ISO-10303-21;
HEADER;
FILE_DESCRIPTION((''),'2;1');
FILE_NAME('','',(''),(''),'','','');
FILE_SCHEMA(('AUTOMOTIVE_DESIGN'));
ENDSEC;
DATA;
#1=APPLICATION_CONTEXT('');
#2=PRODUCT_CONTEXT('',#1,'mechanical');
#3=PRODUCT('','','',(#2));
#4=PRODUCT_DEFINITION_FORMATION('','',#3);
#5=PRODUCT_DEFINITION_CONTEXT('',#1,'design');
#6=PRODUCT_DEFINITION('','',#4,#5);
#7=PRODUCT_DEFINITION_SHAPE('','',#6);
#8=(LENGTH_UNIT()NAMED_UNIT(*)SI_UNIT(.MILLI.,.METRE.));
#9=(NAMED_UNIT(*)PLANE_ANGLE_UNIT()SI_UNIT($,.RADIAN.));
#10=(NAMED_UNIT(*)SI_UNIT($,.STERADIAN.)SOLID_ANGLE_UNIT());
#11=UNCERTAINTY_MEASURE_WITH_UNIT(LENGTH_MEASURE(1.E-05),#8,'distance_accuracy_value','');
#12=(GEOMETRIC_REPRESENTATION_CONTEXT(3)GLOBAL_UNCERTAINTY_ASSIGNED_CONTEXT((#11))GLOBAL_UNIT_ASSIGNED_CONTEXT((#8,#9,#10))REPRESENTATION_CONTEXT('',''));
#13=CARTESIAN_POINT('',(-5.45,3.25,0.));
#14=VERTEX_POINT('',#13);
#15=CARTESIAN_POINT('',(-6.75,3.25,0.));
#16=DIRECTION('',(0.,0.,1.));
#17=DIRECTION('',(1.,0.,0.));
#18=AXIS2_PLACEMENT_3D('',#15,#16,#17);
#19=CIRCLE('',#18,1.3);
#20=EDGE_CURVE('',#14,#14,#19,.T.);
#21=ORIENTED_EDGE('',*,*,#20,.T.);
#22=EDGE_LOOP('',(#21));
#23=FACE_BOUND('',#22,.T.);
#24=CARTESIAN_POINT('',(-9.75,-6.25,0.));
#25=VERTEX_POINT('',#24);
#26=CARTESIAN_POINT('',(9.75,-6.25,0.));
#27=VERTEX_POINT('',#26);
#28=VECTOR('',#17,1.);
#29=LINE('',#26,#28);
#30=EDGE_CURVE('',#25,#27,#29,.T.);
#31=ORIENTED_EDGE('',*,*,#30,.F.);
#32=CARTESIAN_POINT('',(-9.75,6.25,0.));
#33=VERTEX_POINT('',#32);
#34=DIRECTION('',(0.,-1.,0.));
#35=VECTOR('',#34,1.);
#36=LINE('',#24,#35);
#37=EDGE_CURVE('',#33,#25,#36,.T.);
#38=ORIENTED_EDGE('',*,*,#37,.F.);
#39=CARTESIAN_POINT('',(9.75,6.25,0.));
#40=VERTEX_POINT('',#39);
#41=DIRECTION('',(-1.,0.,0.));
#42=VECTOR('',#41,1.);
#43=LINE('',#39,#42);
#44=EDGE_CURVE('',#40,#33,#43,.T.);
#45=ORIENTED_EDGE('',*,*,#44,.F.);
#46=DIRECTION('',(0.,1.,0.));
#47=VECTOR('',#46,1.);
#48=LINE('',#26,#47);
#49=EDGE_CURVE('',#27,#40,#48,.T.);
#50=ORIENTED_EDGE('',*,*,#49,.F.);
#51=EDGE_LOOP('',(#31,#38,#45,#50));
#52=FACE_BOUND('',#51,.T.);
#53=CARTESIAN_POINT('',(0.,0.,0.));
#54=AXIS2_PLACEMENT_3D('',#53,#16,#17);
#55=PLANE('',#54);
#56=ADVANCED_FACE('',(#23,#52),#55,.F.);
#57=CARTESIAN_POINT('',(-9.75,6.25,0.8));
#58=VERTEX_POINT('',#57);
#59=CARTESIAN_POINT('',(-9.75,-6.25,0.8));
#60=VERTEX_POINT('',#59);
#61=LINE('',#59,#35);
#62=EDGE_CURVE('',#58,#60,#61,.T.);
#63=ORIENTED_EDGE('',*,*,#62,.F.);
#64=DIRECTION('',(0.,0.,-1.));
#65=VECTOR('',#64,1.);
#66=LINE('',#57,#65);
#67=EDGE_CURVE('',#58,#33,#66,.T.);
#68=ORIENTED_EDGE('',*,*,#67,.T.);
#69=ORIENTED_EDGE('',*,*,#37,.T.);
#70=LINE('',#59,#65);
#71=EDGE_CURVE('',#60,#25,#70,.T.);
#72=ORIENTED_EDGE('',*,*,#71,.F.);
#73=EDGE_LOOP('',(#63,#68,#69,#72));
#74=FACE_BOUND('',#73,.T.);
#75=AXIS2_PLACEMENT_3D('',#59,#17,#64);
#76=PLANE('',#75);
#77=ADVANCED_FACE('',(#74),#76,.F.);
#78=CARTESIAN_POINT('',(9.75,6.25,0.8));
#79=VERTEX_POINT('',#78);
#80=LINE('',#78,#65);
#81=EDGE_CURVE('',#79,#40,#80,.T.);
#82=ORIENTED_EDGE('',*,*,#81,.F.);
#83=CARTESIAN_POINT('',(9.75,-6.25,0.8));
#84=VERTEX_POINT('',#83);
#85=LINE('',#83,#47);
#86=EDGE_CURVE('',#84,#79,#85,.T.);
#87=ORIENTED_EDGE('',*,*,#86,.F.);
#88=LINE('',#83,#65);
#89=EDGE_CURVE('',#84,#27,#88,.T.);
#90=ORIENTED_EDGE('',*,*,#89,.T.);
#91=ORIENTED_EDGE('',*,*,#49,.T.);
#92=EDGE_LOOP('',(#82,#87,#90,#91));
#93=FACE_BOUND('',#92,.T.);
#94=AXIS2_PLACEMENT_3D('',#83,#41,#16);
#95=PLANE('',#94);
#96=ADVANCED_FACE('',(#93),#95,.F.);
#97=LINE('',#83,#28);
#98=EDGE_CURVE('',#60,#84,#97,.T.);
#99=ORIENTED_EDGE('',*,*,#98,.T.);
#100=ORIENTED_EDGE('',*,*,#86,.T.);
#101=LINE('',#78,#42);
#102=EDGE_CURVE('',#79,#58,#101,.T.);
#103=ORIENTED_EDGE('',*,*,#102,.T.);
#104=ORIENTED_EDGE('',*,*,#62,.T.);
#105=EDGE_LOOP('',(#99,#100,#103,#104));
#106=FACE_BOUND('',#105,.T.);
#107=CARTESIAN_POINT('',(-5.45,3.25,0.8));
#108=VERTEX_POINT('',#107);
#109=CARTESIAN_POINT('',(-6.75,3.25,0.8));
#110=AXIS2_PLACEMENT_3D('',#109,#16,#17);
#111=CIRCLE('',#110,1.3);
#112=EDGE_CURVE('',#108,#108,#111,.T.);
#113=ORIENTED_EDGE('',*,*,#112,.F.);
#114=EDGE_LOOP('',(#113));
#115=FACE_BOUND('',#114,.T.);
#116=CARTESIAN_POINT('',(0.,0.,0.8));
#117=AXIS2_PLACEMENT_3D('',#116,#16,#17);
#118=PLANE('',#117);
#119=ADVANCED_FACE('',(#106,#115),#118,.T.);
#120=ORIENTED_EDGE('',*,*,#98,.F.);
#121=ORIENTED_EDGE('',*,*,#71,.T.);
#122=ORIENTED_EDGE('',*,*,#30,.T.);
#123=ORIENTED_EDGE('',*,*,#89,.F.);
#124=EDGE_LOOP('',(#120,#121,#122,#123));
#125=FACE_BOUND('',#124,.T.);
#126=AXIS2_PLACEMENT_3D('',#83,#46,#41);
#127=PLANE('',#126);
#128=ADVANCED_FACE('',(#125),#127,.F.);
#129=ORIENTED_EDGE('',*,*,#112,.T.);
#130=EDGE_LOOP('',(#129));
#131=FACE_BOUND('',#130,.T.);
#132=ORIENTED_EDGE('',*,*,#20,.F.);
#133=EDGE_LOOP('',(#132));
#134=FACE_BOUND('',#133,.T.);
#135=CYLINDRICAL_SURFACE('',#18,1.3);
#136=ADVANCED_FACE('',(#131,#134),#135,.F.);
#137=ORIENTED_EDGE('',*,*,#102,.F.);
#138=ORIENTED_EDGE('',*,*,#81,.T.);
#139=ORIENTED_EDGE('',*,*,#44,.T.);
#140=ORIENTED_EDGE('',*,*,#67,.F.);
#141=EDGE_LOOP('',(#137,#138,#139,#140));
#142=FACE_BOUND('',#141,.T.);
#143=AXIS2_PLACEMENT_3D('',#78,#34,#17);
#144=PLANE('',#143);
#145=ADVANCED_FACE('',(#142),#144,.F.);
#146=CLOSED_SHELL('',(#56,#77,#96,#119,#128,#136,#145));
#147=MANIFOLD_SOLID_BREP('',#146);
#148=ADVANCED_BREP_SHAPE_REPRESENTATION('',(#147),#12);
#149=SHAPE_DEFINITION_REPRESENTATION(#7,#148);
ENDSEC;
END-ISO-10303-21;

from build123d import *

# Parameters (mm, degrees)
ESQUISSE1_W             = 19.5
ESQUISSE1_H             = 12.5
BOSS_EXTRU_1_DEPTH      = 0.8
ESQUISSE2_R             = 1.3
ENL_V_MAT_EXTRU_1_DEPTH = 0.8


with BuildPart() as part:
    # Esquisse1 → Boss.-Extru.1 (new body)
    with BuildSketch(Plane.XY):
        Rectangle(ESQUISSE1_W, ESQUISSE1_H)
    extrude(amount=BOSS_EXTRU_1_DEPTH)

    # Esquisse2 → Enlèv. mat.-Extru.1 (cut)
    with BuildSketch(Plane.XY.offset(0.8)):
        with Locations((-6.75, 3.25)):
            Circle(ESQUISSE2_R)
    extrude(amount=-ENL_V_MAT_EXTRU_1_DEPTH, mode=Mode.SUBTRACT)


solid = part.part
